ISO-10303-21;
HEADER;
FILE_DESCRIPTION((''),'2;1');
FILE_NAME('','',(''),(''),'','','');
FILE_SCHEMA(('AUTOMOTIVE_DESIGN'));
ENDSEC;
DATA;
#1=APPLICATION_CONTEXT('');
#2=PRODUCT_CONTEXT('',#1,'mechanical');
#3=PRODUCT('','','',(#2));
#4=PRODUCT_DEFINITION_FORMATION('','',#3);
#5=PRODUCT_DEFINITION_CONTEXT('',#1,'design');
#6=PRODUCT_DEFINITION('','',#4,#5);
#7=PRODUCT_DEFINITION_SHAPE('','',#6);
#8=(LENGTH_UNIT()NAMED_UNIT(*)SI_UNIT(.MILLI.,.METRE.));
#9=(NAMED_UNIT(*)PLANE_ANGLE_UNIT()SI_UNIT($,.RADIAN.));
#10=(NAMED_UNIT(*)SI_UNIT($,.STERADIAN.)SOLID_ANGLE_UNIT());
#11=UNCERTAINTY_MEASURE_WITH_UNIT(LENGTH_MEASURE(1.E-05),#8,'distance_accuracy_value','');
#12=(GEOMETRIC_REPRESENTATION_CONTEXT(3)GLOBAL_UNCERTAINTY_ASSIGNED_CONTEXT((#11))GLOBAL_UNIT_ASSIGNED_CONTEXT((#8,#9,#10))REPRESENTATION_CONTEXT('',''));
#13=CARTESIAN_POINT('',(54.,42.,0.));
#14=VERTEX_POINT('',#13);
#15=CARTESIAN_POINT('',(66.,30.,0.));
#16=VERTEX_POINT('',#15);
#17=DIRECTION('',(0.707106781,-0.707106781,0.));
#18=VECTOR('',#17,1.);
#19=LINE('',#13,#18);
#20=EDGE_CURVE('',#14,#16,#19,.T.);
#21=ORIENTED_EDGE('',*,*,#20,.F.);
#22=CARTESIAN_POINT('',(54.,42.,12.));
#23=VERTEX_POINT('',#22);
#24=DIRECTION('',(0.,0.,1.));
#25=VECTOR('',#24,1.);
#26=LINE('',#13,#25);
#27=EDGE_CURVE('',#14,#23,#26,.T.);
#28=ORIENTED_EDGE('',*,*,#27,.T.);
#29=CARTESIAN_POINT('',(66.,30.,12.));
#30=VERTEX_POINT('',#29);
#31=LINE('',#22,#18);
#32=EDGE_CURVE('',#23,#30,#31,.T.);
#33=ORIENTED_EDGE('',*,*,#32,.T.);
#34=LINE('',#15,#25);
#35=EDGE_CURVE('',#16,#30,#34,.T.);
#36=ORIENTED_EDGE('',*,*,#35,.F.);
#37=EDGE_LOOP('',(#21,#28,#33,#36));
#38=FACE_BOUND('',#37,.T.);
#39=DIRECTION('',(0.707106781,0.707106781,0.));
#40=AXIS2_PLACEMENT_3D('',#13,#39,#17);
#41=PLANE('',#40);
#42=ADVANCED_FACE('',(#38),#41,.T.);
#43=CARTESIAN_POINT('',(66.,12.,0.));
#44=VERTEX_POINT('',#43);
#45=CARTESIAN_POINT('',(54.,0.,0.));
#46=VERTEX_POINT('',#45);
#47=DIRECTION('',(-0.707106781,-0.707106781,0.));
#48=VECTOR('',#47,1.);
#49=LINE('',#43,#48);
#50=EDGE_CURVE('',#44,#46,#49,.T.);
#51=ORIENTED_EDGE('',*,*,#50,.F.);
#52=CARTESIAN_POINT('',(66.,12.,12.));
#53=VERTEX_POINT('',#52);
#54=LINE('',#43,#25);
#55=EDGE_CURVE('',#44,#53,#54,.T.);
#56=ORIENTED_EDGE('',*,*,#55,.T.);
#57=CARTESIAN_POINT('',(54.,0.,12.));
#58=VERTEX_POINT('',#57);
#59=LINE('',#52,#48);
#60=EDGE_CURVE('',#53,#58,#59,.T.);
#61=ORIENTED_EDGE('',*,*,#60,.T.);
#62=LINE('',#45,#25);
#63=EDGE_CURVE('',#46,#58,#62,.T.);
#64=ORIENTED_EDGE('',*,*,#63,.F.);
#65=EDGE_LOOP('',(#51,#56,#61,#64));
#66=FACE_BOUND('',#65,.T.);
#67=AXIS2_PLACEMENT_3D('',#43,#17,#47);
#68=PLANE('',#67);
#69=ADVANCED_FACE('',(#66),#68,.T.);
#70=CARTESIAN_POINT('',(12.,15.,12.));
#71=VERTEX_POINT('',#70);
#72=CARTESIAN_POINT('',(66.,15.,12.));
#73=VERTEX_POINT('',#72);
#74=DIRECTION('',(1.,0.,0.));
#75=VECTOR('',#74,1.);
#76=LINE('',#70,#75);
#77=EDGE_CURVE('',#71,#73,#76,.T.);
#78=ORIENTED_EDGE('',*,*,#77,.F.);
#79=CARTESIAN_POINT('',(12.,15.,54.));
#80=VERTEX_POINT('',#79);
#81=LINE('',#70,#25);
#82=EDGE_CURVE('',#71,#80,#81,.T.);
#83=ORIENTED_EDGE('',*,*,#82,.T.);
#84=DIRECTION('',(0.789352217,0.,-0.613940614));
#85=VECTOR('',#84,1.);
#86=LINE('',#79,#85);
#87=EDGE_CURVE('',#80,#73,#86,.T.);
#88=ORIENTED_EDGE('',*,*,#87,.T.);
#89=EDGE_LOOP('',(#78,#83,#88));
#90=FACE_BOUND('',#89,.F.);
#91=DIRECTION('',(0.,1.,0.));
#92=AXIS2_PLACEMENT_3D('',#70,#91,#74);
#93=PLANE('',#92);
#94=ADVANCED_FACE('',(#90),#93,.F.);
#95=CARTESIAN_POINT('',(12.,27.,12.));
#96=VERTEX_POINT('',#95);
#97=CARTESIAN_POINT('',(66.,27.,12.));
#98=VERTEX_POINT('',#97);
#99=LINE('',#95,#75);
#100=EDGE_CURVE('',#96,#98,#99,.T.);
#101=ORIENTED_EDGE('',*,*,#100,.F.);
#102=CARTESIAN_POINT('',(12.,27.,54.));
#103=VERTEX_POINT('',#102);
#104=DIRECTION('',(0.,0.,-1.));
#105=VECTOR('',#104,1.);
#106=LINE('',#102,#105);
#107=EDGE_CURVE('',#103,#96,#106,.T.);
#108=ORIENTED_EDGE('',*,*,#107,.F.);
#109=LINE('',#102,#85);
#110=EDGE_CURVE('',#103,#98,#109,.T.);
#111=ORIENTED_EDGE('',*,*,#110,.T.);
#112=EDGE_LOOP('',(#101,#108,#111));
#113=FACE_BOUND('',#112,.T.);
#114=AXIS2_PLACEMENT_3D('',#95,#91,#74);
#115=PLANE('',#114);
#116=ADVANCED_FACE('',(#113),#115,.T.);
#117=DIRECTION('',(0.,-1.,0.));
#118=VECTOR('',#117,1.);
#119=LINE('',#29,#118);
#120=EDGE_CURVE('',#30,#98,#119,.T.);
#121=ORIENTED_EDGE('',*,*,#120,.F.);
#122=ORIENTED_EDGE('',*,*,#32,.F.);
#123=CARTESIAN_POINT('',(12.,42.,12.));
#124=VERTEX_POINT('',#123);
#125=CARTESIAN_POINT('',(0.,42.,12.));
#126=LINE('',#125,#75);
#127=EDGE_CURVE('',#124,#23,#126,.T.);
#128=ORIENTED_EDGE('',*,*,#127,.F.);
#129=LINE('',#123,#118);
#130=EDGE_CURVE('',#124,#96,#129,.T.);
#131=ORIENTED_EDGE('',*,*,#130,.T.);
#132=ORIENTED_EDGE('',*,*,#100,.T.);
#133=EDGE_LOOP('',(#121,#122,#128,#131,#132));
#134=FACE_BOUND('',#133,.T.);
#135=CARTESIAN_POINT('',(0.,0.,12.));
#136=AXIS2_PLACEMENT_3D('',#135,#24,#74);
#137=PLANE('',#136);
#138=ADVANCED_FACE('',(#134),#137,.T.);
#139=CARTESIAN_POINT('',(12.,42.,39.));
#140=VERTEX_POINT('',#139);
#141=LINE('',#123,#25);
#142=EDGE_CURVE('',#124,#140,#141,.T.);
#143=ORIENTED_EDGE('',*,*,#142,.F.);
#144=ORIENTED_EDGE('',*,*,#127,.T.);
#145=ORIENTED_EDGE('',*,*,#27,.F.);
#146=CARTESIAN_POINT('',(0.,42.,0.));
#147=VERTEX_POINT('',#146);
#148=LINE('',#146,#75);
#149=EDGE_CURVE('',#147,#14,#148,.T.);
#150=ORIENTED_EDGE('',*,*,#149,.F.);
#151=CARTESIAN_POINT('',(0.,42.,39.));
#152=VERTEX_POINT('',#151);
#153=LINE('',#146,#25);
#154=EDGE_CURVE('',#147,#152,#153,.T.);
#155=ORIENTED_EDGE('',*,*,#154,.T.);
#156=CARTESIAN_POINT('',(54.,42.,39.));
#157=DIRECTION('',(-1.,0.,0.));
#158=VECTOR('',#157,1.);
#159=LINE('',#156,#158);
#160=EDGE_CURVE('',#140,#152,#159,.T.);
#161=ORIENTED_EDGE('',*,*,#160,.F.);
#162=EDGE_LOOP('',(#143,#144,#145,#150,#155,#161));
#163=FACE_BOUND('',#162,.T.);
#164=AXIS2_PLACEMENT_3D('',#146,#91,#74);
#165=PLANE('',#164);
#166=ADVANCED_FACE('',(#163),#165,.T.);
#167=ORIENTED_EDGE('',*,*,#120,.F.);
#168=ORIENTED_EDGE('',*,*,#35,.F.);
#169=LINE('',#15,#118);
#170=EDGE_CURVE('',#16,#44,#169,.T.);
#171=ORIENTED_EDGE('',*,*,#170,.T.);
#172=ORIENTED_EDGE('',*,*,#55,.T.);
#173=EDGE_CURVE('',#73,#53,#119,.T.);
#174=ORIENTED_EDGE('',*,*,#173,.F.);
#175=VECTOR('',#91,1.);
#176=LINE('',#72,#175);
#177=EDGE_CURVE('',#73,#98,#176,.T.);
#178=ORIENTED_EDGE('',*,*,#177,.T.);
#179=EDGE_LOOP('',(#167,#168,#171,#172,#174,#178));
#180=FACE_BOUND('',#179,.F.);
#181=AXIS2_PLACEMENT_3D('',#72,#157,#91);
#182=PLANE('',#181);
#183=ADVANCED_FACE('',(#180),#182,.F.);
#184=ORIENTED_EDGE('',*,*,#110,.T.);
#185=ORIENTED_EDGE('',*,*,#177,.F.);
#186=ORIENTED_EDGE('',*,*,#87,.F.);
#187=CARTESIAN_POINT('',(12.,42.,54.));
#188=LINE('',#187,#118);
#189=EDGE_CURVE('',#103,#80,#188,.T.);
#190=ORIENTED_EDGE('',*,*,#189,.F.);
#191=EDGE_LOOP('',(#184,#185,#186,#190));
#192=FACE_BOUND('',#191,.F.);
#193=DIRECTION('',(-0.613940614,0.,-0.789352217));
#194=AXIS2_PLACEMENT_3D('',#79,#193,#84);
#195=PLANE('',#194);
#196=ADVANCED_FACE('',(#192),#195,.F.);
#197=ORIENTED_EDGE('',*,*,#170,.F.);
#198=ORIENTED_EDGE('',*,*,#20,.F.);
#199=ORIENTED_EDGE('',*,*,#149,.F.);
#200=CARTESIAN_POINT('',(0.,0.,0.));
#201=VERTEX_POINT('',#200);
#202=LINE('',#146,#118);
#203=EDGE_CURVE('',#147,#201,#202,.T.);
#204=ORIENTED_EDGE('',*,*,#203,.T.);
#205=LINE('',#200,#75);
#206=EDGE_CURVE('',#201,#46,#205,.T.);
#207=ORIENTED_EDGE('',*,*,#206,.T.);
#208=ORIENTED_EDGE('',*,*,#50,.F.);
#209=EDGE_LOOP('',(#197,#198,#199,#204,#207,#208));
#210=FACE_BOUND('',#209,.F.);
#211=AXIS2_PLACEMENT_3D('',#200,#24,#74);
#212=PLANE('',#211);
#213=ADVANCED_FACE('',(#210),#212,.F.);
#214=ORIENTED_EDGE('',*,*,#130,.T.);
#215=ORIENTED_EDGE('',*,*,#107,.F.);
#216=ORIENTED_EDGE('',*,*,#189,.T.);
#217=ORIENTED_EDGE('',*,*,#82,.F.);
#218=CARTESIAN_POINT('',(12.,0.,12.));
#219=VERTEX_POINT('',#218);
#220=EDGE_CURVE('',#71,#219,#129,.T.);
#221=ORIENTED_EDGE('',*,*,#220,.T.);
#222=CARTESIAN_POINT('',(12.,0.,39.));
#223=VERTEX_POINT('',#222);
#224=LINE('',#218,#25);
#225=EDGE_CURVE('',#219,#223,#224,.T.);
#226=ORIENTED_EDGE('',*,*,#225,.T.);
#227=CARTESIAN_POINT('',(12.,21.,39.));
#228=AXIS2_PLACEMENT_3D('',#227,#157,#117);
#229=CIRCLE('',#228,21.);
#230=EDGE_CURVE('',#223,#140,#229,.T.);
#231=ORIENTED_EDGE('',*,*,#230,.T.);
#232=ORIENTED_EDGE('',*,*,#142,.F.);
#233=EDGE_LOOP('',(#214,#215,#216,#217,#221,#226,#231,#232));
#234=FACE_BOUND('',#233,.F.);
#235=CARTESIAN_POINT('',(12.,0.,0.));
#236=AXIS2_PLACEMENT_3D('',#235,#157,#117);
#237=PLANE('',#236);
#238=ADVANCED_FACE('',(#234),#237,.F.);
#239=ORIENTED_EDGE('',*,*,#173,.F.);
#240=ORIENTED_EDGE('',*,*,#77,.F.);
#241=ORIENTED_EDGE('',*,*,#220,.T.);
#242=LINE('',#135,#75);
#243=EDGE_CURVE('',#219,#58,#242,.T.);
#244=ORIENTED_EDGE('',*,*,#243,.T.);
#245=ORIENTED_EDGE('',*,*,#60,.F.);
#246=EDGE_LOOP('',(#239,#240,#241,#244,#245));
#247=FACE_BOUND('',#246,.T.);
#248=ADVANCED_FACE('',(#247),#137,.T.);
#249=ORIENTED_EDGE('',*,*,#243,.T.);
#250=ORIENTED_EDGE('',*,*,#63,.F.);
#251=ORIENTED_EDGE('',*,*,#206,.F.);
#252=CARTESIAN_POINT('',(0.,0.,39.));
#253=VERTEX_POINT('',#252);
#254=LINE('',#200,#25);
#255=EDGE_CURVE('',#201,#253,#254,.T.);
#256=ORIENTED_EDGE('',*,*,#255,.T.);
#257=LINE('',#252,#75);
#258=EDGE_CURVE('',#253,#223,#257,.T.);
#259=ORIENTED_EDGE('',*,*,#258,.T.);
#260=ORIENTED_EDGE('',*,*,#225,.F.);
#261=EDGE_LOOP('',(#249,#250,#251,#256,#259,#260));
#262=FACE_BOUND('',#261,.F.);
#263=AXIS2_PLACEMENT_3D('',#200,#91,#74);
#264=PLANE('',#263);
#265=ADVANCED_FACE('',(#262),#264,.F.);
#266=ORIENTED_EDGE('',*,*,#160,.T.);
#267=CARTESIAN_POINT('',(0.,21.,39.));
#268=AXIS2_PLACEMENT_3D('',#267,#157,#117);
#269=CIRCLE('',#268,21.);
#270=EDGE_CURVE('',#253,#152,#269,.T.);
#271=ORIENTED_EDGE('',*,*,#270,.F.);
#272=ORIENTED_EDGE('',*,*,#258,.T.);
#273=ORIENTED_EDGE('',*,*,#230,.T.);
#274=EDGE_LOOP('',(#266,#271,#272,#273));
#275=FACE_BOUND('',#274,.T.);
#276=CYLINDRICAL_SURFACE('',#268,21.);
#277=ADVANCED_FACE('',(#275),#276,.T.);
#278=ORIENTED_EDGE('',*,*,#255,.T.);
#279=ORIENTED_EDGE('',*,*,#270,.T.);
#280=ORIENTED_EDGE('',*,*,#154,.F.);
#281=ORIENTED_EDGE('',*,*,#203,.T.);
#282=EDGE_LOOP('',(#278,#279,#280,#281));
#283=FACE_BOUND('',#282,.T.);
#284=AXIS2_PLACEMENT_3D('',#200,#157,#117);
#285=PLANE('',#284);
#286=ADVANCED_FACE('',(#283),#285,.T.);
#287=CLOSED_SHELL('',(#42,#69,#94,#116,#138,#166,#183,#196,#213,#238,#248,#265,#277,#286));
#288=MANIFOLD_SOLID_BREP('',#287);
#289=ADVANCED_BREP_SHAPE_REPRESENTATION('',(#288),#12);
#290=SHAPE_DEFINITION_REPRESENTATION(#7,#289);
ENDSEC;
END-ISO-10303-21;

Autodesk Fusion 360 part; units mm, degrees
sketch "Sketch1" plane through (0, 0, 0) normal (0, 0, 1) x (1, 0, 0)
  line L0 (0, 42) -> (0, 0)
  line L1 (66, 12) -> (54, 0)
  line L2 (0, 0) -> (54, 0)
  line L3 (54, 42) -> (66, 30)
  line L4 (66, 30) -> (66, 12)
  line L5 (0, 42) -> (54, 42)
extrude "Extrude1" add sketch "Sketch1" along normal blind 12
sketch "Sketch2" plane through (0, 0, 12) normal (0, 0, 1) x (-1, 0, 0)
  line L0 (0, 0) -> (-54, 0)
  line L1 (-54, 0) -> (-66, -12)
  line L2 (-66, -12) -> (-66, -30)
  line L3 (-66, -30) -> (-54, -42)
  line L4 (-54, -42) -> (0, -42)
  line L5 (0, -42) -> (0, 0)
  line L6 (0, -42) -> (-12, -42)
  line L7 (-12, -42) -> (-12, 0)
  line L8 (-12, 0) -> (0, 0)
  line L9 (0, 0) -> (0, -42)
  dimension "d9" = 12
extrude "Extrude2" add sketch "Sketch2" along normal blind 27 contours L0 L4 L5 L6 L7 L8 L9
sketch "Sketch3" plane through (0, 0, 12) normal (0, 0, 1) x (-1, 0, 0)
  line L0 (-12, -42) -> (-12, 0)
  line L1 (-12, 0) -> (-54, 0)
  line L2 (-54, 0) -> (-66, -12)
  line L3 (-66, -12) -> (-66, -30)
  line L4 (-66, -30) -> (-54, -42)
  line L5 (-54, -42) -> (-12, -42)
  line L6 (-12, 0) -> (-12, -15)
  line L7 (-12, -15) -> (-66, -15)
  line L8 (-12, -15) -> (-12, -27)
  line L9 (-12, -27) -> (-66, -27)
  line L10 (-66, -15) -> (-66, -27)
  dimension "d12" = 15
  dimension "d14" = 12
extrude "Extrude3" add sketch "Sketch3" along normal blind 42 contours L0 L3 L7 L8 L9 L10
sketch "Sketch5" plane through (0, 15, 0) normal (0, -1, 0) x (1, 0, 0)
  line L0 (12, 12) -> (66, 12)
  line L1 (66, 12) -> (66, 54)
  line L2 (66, 54) -> (12, 54)
  line L3 (12, 54) -> (12, 39)
  line L4 (12, 39) -> (12, 12)
  line L5 (12, 54) -> (66, 12)
  line L6 (12, 54) -> (66, 54)
  line L7 (66, 54) -> (66, 12)
extrude "Extrude4" cut sketch "Sketch5" against normal blind 12 contours L1 L2 L5 L6 L7
sketch "Sketch6" plane through (0, 0, 0) normal (-1, 0, 0) x (0, -1, 0)
  line L0 (-42, 0) -> (0, 0)
  line L1 (0, 0) -> (0, 39)
  line L2 (0, 39) -> (-42, 39)
  line L3 (-42, 39) -> (-42, 0)
  circle A0 centre (-21, 39) radius 21
  line L4 (-42, 39) -> (0, 39)
  dimension "d19" = 42
extrude "Extrude5" add sketch "Sketch6" against normal blind 12 contours L2 A0 L4 picked at (-14.615, 43.0805)
